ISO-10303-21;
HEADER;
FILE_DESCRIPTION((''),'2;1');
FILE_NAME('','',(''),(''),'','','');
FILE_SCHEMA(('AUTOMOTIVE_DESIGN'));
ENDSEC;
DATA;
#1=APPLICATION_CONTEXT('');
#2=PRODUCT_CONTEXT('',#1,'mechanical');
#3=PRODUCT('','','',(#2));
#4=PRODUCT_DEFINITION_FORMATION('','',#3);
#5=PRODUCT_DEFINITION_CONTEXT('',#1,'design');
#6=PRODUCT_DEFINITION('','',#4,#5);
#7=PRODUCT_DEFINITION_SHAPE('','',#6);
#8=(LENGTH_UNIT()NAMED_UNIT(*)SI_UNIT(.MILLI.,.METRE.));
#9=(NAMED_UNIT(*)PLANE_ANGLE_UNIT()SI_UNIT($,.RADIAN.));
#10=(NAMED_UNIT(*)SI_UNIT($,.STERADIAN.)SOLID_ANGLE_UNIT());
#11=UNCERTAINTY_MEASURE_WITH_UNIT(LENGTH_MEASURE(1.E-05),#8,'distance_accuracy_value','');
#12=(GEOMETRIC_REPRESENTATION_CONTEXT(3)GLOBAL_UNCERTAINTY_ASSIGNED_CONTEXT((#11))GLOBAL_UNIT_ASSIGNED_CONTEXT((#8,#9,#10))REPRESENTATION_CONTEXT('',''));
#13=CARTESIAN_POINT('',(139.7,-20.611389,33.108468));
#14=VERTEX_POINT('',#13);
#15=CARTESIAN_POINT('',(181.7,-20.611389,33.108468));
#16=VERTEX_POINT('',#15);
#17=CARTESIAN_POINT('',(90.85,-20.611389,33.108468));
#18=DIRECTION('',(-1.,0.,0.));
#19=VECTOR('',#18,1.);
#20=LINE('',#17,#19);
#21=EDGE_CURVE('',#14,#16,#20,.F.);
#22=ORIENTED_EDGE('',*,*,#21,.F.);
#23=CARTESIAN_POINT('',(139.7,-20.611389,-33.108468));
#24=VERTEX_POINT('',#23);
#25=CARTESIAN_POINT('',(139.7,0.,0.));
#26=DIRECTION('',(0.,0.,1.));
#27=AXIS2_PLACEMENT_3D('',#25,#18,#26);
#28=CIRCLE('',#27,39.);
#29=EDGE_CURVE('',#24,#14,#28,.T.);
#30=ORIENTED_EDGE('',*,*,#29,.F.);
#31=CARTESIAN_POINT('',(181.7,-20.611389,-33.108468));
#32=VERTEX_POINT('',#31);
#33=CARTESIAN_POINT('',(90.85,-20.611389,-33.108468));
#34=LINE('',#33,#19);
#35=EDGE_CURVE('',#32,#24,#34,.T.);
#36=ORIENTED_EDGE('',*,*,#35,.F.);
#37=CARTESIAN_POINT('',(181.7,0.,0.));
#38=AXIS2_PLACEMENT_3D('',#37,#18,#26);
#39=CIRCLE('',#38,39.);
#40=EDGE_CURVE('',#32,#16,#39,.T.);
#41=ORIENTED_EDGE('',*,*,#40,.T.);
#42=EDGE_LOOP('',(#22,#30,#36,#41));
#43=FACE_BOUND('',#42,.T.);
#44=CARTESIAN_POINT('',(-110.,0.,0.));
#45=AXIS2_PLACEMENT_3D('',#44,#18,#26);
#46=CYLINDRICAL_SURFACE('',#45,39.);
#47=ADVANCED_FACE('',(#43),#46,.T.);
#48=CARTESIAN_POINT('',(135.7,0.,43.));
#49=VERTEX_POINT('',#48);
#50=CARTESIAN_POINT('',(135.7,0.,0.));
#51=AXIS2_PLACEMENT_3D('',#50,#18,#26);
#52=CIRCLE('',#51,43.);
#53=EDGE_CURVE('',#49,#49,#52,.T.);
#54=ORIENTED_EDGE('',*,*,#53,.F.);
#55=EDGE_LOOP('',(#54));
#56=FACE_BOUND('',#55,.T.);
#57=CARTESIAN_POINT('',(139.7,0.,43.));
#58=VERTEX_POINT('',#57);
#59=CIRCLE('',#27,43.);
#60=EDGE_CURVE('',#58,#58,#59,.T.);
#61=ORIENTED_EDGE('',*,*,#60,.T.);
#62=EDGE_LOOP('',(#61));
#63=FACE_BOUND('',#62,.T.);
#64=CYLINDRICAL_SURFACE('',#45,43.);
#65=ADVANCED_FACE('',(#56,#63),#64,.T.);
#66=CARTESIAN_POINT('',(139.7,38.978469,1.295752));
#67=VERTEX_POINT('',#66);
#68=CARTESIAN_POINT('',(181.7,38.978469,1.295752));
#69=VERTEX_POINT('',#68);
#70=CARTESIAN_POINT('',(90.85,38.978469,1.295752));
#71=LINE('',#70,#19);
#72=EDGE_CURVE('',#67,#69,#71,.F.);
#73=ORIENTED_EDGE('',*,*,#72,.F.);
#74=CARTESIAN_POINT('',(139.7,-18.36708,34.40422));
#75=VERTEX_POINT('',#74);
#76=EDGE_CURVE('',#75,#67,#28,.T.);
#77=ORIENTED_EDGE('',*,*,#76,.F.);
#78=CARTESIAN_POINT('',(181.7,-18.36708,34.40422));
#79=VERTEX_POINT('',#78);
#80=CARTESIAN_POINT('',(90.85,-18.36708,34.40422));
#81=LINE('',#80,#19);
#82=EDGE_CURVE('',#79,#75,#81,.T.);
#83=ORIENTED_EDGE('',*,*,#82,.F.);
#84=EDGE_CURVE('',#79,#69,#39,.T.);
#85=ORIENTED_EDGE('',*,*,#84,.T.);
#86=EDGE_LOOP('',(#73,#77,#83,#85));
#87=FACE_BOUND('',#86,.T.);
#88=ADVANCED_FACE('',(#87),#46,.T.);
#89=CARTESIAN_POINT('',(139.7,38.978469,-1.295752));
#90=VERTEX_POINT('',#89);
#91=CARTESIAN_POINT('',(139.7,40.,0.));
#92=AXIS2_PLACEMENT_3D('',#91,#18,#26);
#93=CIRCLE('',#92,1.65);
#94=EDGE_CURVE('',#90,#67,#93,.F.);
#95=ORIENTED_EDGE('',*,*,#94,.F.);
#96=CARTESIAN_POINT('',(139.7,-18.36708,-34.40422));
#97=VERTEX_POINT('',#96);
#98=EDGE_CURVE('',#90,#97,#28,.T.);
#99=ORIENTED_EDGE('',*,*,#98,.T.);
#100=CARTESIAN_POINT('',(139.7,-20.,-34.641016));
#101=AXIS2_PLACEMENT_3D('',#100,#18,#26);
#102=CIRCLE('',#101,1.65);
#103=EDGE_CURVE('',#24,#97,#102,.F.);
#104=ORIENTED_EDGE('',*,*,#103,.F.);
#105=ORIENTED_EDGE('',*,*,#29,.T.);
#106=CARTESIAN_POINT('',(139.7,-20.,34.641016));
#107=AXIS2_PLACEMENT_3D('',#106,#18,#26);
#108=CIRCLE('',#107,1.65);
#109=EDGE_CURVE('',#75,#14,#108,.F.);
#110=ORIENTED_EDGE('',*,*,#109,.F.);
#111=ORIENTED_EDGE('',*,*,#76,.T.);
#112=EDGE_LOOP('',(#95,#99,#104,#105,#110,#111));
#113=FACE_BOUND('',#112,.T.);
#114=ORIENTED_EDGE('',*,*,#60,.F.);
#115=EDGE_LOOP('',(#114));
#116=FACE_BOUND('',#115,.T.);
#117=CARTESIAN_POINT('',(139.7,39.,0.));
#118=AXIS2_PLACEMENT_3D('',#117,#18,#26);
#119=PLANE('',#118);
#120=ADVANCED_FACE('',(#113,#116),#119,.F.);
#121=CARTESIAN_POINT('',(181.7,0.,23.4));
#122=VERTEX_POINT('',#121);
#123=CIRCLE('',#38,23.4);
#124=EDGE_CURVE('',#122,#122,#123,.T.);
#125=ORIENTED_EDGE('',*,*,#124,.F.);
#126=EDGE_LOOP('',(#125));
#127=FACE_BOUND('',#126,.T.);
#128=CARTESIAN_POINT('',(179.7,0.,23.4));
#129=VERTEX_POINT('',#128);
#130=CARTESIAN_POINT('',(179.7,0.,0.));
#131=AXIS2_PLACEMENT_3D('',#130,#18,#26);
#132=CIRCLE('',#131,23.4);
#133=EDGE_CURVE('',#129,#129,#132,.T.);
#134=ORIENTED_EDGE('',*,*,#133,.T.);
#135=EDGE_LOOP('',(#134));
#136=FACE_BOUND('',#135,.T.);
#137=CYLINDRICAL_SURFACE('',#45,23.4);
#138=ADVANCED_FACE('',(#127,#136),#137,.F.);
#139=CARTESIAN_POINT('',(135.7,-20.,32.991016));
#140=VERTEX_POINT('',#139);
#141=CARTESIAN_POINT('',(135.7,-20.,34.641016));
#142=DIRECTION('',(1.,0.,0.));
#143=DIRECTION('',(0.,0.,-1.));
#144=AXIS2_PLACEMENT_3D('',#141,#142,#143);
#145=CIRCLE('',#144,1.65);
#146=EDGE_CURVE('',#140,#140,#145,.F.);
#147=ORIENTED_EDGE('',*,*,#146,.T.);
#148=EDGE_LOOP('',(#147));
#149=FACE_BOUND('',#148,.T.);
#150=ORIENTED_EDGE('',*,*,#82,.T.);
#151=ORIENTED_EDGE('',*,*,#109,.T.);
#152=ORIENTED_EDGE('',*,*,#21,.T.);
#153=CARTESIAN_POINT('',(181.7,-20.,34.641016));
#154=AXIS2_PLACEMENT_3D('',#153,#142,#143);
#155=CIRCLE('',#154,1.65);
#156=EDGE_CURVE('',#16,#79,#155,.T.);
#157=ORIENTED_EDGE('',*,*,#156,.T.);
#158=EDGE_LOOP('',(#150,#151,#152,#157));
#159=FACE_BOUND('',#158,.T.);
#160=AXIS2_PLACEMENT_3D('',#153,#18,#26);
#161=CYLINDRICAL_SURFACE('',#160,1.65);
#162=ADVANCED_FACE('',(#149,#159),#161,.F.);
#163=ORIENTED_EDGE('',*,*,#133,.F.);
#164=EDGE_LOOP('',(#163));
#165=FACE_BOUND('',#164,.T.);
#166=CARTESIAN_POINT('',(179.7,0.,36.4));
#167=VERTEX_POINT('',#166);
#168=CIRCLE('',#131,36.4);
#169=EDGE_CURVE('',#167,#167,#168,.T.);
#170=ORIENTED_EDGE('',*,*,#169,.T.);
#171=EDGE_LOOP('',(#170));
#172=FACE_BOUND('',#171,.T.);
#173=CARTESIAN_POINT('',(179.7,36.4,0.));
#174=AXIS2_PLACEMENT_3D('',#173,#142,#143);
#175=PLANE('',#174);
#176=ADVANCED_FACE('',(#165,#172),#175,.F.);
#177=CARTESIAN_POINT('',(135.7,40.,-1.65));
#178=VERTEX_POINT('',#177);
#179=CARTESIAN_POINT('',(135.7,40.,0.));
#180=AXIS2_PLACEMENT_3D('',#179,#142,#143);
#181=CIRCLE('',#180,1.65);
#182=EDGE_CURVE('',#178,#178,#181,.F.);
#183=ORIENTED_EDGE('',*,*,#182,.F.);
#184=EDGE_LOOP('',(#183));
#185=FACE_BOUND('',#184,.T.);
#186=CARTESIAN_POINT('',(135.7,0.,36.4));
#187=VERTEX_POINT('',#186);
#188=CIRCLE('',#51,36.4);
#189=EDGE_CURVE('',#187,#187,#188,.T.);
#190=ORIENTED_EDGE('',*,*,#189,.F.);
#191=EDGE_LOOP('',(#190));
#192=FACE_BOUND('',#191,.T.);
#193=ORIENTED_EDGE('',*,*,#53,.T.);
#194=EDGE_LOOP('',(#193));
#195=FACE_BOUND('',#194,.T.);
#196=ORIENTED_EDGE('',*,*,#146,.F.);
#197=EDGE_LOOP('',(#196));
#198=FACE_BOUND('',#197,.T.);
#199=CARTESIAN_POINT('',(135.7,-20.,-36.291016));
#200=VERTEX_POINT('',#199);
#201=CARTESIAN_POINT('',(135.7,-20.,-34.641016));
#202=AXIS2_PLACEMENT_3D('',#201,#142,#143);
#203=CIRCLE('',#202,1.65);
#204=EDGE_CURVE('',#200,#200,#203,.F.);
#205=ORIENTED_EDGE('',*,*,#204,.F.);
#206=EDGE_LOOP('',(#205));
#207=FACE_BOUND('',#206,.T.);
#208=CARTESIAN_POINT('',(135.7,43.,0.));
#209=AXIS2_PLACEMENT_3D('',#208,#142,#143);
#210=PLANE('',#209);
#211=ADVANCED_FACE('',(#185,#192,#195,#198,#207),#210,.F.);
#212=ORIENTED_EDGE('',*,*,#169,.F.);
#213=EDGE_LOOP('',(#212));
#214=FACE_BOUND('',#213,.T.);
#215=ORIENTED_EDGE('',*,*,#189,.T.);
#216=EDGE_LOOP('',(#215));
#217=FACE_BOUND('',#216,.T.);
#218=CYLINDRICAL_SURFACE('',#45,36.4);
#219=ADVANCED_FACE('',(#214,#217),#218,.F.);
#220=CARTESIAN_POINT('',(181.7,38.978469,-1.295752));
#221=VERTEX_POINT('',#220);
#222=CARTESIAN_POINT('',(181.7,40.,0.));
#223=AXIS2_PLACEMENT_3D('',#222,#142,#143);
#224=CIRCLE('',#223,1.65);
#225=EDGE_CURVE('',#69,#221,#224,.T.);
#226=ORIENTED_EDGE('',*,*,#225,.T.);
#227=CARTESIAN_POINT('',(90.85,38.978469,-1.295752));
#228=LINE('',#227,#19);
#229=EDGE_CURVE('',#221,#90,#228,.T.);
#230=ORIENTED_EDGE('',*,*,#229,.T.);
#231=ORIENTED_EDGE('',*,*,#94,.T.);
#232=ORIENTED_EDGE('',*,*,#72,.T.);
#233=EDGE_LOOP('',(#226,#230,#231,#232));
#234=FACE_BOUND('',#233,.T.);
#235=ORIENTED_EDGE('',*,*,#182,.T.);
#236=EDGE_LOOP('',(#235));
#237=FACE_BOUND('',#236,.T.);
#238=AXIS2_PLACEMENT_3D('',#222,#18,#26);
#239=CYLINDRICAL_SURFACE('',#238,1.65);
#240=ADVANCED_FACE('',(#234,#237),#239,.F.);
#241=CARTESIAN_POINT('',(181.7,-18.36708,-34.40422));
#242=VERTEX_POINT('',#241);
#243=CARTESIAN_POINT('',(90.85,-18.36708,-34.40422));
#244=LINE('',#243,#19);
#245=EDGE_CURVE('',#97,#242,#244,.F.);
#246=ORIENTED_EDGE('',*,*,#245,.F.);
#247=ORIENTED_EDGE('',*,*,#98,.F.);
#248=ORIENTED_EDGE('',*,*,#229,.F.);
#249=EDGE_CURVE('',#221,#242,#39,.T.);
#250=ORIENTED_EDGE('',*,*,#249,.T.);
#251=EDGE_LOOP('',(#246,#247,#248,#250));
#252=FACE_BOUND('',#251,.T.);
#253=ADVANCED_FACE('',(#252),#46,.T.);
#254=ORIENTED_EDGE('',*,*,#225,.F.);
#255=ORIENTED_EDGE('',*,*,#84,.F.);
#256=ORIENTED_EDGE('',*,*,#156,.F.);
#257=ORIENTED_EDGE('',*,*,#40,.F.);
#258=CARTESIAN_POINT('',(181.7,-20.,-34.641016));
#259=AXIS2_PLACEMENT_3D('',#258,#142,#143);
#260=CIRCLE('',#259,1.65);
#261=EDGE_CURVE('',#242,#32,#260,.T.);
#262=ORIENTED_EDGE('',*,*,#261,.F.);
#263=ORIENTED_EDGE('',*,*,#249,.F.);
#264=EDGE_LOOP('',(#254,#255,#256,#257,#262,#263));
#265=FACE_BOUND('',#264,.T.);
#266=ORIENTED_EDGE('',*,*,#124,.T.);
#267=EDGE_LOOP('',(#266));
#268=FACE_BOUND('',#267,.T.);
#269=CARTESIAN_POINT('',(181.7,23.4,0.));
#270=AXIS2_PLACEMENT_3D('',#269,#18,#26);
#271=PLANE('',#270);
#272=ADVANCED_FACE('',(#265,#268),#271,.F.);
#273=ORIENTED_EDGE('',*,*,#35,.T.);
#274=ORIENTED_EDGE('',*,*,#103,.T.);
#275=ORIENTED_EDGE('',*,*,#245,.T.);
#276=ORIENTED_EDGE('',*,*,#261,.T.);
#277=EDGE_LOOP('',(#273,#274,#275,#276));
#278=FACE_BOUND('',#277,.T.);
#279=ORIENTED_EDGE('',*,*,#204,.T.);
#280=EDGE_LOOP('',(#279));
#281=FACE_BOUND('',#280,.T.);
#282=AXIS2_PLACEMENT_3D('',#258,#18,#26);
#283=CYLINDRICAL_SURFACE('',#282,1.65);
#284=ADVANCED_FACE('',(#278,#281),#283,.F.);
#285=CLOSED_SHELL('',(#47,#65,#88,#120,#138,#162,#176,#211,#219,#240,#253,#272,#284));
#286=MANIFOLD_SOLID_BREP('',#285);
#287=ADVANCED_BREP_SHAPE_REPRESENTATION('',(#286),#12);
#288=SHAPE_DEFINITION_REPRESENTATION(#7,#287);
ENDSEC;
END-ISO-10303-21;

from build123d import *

# Parameters (mm, degrees)
AXIAL_HOLES_DEPTH      = 192.606080279
AXIAL_HOLES_DEPTH_BACK = 192.606080279
SKETCH2_R              = 1.65


with BuildPart() as part:
    # Axial profile (mm) → Full revolution (revolve)
    with BuildSketch(Plane.XY, mode=Mode.PRIVATE) as full_revolution_sk:
        Polygon((135.7, 36.4), (179.7, 36.4), (179.7, 23.4), (181.7, 23.4), (181.7, 39), (139.7, 39), (139.7, 43), (135.7, 43), align=None)
    revolve(full_revolution_sk.sketch.rotate(Axis((-110, 0, 0), (1, 0, 0)), 90), axis=Axis((-110, 0, 0), (1, 0, 0)))

    # Sketch2 → Axial holes (cut, two sides: drawn at the far end of the back side and taken through both)
    with BuildSketch(Plane(origin=(0, 0, 0), x_dir=(0, 0, -1), z_dir=(1, 0, 0)).offset(-AXIAL_HOLES_DEPTH_BACK)):
        with Locations(Location((0, 40, 0), (0, 0, 218.251159994))):
            Circle(SKETCH2_R)
        with Locations(Location((-34.641016151, -20, 0), (0, 0, 81.748840006))):
            Circle(SKETCH2_R)
        with Locations(Location((34.641016151, -20, 0), (0, 0, 201.748840006))):
            Circle(SKETCH2_R)
    extrude(amount=AXIAL_HOLES_DEPTH + AXIAL_HOLES_DEPTH_BACK, mode=Mode.SUBTRACT)


solid = part.part
